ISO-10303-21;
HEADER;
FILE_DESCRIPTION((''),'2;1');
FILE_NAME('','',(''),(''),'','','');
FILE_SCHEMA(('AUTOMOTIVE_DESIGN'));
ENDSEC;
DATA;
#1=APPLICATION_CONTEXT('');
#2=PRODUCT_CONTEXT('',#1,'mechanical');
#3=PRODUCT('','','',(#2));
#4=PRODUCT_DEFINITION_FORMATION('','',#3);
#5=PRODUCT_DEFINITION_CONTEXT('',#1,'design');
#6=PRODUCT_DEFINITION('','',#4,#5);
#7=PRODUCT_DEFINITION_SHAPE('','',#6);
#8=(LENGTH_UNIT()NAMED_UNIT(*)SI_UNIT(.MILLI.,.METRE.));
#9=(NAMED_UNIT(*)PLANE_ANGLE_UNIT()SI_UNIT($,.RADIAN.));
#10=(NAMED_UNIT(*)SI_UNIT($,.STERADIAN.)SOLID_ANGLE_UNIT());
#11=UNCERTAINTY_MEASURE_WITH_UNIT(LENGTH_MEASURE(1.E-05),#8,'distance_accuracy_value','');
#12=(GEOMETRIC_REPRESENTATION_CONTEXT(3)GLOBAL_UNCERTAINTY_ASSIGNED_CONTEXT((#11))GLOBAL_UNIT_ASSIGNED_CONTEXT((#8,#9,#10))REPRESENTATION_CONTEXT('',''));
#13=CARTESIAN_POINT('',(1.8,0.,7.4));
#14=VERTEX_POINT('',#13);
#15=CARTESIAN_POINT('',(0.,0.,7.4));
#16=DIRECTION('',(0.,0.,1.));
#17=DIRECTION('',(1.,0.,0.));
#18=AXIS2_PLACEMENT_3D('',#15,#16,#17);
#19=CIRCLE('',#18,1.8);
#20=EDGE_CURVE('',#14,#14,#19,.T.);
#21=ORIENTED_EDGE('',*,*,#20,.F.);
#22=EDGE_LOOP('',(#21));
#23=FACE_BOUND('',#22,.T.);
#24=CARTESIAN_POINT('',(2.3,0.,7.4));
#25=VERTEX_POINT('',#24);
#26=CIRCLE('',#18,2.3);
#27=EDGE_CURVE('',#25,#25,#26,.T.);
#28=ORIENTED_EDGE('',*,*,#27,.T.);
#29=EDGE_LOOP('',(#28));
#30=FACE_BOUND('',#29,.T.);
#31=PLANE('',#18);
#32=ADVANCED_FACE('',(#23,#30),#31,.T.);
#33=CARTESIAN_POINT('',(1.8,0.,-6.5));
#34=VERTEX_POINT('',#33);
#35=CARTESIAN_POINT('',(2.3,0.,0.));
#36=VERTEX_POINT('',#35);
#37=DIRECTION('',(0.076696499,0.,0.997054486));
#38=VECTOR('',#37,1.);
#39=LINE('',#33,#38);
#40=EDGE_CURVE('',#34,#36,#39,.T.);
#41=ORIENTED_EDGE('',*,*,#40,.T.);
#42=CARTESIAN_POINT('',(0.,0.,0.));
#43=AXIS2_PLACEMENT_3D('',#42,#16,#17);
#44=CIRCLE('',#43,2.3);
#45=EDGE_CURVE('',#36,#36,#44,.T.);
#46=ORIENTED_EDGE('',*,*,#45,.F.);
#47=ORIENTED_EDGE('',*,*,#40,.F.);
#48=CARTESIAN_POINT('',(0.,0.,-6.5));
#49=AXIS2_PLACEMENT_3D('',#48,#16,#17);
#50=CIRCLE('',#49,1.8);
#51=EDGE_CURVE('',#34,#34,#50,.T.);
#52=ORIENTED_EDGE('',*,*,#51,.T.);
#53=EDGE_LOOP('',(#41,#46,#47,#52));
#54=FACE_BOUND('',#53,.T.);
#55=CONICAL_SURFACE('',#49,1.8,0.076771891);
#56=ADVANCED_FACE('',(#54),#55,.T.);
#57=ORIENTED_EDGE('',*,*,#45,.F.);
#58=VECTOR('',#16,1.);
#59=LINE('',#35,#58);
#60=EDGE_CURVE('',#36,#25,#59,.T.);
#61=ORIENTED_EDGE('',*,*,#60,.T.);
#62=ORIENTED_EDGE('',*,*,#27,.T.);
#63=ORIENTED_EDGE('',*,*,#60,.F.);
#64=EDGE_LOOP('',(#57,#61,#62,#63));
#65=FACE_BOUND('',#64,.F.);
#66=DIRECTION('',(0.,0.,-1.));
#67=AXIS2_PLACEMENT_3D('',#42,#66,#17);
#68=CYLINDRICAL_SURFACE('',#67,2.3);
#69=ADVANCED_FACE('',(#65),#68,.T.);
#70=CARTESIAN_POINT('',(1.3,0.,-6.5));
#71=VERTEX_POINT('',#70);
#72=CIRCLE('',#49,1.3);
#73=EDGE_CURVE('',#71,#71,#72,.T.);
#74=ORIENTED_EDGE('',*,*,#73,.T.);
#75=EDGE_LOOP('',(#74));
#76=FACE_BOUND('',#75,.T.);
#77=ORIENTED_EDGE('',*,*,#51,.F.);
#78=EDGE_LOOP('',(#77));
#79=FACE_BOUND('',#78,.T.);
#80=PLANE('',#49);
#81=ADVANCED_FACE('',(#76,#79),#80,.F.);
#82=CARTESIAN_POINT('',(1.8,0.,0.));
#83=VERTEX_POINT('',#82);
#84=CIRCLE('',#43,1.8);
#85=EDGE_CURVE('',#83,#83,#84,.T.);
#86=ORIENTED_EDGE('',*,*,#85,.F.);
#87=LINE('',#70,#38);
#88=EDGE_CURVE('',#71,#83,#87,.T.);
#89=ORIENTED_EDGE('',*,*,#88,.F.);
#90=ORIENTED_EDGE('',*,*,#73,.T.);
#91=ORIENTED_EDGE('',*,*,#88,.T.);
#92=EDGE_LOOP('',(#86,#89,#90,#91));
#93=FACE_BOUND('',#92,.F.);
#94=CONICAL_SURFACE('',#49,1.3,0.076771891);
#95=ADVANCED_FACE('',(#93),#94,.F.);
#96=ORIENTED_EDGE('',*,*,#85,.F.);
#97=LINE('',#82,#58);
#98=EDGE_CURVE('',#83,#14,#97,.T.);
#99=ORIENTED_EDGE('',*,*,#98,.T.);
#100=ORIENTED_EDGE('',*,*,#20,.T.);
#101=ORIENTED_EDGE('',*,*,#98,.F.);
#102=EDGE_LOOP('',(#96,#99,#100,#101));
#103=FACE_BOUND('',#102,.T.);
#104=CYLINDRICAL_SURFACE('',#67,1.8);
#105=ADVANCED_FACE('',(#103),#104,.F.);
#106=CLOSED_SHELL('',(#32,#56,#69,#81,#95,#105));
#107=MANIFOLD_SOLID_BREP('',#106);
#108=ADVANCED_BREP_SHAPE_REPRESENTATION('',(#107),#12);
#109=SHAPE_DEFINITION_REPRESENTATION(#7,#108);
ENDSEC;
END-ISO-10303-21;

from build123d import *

# Parameters (mm, degrees)
CYLINDER001_R     = 1.8
CYLINDER001_DEPTH = 7.4
CYLINDER_R        = 2.3
CYLINDER_DEPTH    = 7.4


with BuildPart() as cone001:
    # Cone001 → Cone001 (revolve)
    with BuildSketch(Plane(origin=(0, 0, -6.5), x_dir=(1, 0, 0), z_dir=(0, -1, 0))):
        Polygon((0, 0), (1.3, 0), (1.8, 6.5), (0, 6.5), align=None)
    revolve(axis=Axis((0, 0, -6.5), (0, 0, 1)))


with BuildPart() as inner_fusion:
    # Cylinder001 → Cylinder001 (new body)
    with BuildSketch(Plane.XY):
        Circle(CYLINDER001_R)
    extrude(amount=CYLINDER001_DEPTH)

    # Fusion001: union Cone001
    add(cone001.part)


with BuildPart() as cone:
    # Cone → Cone (revolve)
    with BuildSketch(Plane(origin=(0, 0, -6.5), x_dir=(1, 0, 0), z_dir=(0, -1, 0))):
        Polygon((0, 0), (1.8, 0), (2.3, 6.5), (0, 6.5), align=None)
    revolve(axis=Axis((0, 0, -6.5), (0, 0, 1)))


with BuildPart() as vtulka_cut:
    # Cylinder → Cylinder (new body)
    with BuildSketch(Plane.XY):
        Circle(CYLINDER_R)
    extrude(amount=CYLINDER_DEPTH)

    # Fusion: union Cone
    add(cone.part)

    # Cut: cut inner fusion
    add(inner_fusion.part, mode=Mode.SUBTRACT)


solid = vtulka_cut.part
